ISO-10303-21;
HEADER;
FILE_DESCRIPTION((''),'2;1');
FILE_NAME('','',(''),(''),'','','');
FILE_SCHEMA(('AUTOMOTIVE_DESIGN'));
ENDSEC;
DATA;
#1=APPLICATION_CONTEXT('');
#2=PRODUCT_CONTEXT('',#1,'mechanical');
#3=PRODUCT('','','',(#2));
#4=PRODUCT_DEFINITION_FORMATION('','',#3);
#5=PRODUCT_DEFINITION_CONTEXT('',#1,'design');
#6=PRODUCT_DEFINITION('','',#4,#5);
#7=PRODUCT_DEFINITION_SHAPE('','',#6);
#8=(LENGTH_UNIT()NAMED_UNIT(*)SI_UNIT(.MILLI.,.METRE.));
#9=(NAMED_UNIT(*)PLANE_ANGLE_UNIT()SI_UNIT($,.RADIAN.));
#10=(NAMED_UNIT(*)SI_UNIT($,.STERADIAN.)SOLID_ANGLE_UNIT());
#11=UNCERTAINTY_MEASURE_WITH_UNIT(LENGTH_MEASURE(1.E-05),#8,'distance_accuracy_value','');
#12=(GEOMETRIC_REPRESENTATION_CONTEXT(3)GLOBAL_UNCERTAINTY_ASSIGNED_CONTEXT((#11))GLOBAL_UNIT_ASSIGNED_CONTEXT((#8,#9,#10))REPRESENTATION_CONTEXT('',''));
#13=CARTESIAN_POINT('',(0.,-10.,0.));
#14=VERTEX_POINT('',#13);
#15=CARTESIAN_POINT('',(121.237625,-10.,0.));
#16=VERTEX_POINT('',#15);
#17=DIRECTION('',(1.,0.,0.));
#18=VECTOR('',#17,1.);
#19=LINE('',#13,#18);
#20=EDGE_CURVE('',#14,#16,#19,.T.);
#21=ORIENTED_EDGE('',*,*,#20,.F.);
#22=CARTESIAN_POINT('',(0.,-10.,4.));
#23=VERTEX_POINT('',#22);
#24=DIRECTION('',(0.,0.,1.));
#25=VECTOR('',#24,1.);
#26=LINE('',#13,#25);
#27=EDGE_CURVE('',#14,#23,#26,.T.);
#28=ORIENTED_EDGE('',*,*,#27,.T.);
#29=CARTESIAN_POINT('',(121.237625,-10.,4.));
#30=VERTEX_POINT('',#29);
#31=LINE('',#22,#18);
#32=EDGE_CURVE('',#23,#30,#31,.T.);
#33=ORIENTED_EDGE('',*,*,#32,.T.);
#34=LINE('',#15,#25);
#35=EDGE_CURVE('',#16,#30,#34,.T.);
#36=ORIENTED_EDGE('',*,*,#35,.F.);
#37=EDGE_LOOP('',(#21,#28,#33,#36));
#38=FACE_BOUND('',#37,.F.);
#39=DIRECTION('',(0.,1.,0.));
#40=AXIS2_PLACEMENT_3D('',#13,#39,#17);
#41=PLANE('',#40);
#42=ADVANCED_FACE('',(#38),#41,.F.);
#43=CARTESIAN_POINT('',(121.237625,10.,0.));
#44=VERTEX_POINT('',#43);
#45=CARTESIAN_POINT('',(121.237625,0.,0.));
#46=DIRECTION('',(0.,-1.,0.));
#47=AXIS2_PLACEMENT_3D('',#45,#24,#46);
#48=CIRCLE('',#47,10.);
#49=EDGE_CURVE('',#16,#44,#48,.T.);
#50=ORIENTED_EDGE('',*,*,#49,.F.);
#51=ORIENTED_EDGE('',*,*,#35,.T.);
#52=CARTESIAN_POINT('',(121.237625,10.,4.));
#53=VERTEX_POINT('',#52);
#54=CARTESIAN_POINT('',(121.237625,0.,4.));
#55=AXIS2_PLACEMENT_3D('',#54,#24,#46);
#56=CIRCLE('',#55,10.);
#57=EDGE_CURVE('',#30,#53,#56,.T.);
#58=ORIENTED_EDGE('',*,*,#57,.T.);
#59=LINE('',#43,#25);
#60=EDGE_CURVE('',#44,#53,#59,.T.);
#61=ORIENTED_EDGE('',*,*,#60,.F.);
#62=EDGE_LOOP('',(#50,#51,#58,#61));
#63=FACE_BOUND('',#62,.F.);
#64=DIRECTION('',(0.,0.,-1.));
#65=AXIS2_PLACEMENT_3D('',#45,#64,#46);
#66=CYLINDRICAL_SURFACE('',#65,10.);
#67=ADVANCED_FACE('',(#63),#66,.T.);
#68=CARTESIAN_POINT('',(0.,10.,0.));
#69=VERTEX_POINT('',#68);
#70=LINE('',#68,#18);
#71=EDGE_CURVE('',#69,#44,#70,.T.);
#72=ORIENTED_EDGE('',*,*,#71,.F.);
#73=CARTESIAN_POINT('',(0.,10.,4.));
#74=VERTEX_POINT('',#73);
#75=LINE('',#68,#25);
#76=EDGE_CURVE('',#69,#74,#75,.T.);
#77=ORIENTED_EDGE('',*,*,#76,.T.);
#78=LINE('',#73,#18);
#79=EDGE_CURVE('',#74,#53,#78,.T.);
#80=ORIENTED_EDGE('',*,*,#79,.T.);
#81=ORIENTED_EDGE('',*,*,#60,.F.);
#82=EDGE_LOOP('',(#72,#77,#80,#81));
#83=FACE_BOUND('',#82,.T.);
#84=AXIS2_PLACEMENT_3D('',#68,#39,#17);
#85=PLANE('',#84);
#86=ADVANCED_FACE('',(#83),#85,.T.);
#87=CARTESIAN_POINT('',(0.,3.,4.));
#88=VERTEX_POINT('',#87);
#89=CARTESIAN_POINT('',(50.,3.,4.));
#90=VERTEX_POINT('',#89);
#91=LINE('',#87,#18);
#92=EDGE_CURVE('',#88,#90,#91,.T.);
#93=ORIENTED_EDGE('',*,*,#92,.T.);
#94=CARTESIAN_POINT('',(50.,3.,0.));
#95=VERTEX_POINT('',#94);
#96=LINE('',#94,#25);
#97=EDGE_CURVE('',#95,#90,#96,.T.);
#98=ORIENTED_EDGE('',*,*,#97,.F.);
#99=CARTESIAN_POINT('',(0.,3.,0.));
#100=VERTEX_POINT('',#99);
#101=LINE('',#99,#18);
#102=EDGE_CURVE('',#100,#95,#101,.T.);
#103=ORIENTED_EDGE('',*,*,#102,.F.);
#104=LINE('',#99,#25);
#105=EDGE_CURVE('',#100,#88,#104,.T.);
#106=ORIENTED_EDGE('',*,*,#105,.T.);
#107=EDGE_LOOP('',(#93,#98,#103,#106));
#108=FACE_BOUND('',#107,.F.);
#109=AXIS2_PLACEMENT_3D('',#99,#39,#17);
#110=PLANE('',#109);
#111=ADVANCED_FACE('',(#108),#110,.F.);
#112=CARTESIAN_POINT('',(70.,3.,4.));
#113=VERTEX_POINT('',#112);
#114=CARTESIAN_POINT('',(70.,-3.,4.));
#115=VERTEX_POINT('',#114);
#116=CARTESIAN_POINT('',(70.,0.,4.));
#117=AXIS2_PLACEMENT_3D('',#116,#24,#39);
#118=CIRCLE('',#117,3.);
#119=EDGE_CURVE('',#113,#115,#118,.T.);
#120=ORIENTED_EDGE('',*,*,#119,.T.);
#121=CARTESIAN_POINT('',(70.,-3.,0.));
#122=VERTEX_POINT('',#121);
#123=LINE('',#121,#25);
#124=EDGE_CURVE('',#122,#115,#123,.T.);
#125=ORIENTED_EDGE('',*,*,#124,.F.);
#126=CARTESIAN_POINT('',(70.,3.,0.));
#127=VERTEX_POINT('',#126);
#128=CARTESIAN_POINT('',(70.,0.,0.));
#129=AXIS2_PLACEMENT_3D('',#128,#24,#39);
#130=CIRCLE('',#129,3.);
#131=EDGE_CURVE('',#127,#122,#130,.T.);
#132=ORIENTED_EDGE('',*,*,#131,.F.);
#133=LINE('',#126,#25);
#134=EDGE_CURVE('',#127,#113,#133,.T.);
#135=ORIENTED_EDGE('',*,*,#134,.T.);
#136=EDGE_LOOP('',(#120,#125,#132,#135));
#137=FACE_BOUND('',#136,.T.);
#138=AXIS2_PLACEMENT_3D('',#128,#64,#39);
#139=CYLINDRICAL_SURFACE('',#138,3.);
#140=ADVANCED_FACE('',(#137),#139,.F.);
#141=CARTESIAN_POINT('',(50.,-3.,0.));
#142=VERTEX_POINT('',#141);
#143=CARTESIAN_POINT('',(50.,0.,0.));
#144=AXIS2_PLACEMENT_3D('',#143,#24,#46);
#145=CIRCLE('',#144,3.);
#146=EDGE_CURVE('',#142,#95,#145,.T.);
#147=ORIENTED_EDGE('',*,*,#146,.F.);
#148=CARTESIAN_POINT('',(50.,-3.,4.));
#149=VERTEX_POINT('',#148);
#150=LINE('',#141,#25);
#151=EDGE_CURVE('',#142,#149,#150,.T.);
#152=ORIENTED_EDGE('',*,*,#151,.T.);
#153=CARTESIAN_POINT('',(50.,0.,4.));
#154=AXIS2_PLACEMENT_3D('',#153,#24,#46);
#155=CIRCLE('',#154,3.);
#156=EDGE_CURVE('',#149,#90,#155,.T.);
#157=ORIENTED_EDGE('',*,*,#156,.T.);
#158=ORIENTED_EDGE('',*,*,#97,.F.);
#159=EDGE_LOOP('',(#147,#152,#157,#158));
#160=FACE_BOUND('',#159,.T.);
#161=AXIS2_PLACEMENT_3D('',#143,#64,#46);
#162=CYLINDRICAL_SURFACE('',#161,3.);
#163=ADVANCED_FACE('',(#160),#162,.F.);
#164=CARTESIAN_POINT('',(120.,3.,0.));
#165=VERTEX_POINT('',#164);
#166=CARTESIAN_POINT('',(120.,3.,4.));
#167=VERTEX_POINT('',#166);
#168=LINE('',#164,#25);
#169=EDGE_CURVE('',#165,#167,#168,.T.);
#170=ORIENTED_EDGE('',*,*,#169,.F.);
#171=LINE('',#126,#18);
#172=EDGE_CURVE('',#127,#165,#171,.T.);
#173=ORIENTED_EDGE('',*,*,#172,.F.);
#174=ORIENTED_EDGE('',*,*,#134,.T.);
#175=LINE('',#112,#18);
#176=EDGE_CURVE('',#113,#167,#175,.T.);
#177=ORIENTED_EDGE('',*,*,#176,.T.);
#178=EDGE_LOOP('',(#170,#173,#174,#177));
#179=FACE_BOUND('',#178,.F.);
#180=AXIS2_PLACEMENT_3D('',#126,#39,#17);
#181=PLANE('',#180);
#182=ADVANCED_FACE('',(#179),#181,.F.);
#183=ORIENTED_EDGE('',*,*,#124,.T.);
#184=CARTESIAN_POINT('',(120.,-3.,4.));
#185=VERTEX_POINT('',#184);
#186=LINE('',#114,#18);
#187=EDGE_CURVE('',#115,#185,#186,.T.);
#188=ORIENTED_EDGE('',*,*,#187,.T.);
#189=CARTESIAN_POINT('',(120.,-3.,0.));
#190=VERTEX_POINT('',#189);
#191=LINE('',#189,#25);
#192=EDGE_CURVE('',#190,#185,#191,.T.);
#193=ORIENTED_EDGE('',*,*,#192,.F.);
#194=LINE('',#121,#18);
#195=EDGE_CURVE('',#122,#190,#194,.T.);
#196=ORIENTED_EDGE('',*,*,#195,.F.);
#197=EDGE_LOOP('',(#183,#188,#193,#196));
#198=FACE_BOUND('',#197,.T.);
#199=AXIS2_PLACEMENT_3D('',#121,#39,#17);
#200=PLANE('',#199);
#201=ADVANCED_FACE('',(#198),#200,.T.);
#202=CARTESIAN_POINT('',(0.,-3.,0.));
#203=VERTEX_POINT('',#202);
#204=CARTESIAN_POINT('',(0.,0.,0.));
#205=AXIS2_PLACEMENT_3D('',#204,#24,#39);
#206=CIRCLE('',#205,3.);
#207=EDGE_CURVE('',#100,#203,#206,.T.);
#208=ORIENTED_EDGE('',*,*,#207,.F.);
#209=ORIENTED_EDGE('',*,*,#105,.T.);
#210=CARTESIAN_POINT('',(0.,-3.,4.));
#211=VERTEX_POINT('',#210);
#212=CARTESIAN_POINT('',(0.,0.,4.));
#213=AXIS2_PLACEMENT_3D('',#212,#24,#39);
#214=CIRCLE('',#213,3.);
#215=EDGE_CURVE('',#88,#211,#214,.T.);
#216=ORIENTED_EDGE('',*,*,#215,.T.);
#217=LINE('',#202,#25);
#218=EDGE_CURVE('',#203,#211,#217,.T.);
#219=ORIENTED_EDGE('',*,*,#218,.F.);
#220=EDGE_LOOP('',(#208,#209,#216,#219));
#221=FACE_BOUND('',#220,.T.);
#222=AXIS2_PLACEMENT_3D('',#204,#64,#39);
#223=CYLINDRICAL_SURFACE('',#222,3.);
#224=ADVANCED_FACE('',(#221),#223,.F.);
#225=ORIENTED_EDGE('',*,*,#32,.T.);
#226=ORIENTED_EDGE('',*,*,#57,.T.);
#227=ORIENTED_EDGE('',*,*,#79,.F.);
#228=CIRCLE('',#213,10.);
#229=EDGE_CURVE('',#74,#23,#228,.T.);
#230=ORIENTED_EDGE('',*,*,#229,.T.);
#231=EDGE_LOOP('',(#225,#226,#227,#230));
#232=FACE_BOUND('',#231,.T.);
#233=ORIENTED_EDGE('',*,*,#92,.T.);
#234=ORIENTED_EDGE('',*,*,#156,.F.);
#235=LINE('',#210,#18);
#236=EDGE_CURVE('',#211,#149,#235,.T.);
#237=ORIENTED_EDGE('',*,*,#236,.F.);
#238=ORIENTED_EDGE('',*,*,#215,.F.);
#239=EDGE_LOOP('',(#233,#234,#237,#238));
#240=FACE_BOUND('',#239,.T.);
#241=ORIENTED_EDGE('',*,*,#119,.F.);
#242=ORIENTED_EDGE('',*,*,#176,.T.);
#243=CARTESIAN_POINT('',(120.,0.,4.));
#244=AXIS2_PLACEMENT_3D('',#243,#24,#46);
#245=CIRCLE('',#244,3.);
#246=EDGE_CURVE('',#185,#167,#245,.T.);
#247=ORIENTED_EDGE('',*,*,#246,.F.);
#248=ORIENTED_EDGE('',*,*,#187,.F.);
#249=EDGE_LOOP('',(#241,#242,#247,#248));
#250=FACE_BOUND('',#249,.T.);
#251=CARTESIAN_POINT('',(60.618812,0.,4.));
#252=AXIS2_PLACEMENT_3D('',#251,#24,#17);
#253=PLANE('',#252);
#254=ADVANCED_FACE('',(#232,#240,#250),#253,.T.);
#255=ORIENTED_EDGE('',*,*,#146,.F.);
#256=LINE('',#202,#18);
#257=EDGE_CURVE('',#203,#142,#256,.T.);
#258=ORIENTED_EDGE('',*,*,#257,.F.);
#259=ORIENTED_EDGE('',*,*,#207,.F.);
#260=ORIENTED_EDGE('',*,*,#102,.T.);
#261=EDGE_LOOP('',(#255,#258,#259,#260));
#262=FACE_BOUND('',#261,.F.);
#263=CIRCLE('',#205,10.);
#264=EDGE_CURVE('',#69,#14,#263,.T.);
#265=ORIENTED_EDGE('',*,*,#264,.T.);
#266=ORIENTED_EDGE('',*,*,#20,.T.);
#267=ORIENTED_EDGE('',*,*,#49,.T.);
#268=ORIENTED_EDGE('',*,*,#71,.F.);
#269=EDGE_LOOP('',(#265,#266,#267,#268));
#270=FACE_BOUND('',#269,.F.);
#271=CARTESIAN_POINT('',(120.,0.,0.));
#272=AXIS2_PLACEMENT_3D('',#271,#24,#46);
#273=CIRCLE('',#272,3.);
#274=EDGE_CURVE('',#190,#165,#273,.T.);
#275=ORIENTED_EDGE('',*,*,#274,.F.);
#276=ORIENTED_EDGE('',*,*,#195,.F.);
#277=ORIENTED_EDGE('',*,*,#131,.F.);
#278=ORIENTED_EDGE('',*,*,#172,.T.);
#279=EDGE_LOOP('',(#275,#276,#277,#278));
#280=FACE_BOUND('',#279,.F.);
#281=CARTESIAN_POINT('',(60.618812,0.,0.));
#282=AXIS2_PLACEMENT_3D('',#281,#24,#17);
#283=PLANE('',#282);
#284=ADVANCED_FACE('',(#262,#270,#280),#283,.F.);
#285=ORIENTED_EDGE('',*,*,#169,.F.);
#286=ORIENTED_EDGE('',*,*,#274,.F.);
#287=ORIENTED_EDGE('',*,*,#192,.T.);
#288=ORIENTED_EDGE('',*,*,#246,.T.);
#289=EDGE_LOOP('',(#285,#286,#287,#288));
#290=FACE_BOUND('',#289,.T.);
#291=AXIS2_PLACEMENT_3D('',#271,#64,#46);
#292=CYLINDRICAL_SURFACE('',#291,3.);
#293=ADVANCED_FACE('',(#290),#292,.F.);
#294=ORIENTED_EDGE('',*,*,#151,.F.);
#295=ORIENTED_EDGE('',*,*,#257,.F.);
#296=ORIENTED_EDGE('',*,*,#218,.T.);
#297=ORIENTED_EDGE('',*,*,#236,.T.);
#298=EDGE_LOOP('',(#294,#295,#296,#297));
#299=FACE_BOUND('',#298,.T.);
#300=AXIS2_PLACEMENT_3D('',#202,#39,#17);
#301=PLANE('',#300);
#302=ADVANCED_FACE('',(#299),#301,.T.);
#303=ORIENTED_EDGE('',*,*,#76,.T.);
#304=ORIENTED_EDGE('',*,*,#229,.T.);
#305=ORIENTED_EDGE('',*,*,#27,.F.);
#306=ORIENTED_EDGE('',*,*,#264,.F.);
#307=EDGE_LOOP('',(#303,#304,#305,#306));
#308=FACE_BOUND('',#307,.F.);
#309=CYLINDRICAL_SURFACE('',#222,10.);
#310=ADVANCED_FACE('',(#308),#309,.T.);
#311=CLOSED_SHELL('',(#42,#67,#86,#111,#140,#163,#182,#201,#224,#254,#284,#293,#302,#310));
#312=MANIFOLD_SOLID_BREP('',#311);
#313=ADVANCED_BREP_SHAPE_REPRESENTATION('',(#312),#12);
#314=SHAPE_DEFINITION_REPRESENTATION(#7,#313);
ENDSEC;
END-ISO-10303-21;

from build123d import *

# Parameters (mm, degrees)
PAD_DEPTH = 4


with BuildPart() as part:
    # Sketch → Pad (new body)
    with BuildSketch(Plane.XY):
        with BuildLine():
            ThreePointArc((0, 10), (-10, 0), (0, -10))
            Line((0, -10), (121.237625, -10))
            ThreePointArc((121.237625, -10), (131.237625, 0), (121.237625, 10))
            Line((0, 10), (121.237625, 10))
        make_face()
        with BuildLine():
            ThreePointArc((0, 3), (-3, 0), (0, -3))
            Line((0, -3), (50, -3))
            ThreePointArc((50, -3), (53, 0), (50, 3))
            Line((0, 3), (50, 3))
        make_face(mode=Mode.SUBTRACT)
        with BuildLine():
            ThreePointArc((70, 3), (67, 0), (70, -3))
            Line((70, -3), (120, -3))
            ThreePointArc((120, -3), (123, 0), (120, 3))
            Line((70, 3), (120, 3))
        make_face(mode=Mode.SUBTRACT)
    extrude(amount=PAD_DEPTH)


solid = part.part
